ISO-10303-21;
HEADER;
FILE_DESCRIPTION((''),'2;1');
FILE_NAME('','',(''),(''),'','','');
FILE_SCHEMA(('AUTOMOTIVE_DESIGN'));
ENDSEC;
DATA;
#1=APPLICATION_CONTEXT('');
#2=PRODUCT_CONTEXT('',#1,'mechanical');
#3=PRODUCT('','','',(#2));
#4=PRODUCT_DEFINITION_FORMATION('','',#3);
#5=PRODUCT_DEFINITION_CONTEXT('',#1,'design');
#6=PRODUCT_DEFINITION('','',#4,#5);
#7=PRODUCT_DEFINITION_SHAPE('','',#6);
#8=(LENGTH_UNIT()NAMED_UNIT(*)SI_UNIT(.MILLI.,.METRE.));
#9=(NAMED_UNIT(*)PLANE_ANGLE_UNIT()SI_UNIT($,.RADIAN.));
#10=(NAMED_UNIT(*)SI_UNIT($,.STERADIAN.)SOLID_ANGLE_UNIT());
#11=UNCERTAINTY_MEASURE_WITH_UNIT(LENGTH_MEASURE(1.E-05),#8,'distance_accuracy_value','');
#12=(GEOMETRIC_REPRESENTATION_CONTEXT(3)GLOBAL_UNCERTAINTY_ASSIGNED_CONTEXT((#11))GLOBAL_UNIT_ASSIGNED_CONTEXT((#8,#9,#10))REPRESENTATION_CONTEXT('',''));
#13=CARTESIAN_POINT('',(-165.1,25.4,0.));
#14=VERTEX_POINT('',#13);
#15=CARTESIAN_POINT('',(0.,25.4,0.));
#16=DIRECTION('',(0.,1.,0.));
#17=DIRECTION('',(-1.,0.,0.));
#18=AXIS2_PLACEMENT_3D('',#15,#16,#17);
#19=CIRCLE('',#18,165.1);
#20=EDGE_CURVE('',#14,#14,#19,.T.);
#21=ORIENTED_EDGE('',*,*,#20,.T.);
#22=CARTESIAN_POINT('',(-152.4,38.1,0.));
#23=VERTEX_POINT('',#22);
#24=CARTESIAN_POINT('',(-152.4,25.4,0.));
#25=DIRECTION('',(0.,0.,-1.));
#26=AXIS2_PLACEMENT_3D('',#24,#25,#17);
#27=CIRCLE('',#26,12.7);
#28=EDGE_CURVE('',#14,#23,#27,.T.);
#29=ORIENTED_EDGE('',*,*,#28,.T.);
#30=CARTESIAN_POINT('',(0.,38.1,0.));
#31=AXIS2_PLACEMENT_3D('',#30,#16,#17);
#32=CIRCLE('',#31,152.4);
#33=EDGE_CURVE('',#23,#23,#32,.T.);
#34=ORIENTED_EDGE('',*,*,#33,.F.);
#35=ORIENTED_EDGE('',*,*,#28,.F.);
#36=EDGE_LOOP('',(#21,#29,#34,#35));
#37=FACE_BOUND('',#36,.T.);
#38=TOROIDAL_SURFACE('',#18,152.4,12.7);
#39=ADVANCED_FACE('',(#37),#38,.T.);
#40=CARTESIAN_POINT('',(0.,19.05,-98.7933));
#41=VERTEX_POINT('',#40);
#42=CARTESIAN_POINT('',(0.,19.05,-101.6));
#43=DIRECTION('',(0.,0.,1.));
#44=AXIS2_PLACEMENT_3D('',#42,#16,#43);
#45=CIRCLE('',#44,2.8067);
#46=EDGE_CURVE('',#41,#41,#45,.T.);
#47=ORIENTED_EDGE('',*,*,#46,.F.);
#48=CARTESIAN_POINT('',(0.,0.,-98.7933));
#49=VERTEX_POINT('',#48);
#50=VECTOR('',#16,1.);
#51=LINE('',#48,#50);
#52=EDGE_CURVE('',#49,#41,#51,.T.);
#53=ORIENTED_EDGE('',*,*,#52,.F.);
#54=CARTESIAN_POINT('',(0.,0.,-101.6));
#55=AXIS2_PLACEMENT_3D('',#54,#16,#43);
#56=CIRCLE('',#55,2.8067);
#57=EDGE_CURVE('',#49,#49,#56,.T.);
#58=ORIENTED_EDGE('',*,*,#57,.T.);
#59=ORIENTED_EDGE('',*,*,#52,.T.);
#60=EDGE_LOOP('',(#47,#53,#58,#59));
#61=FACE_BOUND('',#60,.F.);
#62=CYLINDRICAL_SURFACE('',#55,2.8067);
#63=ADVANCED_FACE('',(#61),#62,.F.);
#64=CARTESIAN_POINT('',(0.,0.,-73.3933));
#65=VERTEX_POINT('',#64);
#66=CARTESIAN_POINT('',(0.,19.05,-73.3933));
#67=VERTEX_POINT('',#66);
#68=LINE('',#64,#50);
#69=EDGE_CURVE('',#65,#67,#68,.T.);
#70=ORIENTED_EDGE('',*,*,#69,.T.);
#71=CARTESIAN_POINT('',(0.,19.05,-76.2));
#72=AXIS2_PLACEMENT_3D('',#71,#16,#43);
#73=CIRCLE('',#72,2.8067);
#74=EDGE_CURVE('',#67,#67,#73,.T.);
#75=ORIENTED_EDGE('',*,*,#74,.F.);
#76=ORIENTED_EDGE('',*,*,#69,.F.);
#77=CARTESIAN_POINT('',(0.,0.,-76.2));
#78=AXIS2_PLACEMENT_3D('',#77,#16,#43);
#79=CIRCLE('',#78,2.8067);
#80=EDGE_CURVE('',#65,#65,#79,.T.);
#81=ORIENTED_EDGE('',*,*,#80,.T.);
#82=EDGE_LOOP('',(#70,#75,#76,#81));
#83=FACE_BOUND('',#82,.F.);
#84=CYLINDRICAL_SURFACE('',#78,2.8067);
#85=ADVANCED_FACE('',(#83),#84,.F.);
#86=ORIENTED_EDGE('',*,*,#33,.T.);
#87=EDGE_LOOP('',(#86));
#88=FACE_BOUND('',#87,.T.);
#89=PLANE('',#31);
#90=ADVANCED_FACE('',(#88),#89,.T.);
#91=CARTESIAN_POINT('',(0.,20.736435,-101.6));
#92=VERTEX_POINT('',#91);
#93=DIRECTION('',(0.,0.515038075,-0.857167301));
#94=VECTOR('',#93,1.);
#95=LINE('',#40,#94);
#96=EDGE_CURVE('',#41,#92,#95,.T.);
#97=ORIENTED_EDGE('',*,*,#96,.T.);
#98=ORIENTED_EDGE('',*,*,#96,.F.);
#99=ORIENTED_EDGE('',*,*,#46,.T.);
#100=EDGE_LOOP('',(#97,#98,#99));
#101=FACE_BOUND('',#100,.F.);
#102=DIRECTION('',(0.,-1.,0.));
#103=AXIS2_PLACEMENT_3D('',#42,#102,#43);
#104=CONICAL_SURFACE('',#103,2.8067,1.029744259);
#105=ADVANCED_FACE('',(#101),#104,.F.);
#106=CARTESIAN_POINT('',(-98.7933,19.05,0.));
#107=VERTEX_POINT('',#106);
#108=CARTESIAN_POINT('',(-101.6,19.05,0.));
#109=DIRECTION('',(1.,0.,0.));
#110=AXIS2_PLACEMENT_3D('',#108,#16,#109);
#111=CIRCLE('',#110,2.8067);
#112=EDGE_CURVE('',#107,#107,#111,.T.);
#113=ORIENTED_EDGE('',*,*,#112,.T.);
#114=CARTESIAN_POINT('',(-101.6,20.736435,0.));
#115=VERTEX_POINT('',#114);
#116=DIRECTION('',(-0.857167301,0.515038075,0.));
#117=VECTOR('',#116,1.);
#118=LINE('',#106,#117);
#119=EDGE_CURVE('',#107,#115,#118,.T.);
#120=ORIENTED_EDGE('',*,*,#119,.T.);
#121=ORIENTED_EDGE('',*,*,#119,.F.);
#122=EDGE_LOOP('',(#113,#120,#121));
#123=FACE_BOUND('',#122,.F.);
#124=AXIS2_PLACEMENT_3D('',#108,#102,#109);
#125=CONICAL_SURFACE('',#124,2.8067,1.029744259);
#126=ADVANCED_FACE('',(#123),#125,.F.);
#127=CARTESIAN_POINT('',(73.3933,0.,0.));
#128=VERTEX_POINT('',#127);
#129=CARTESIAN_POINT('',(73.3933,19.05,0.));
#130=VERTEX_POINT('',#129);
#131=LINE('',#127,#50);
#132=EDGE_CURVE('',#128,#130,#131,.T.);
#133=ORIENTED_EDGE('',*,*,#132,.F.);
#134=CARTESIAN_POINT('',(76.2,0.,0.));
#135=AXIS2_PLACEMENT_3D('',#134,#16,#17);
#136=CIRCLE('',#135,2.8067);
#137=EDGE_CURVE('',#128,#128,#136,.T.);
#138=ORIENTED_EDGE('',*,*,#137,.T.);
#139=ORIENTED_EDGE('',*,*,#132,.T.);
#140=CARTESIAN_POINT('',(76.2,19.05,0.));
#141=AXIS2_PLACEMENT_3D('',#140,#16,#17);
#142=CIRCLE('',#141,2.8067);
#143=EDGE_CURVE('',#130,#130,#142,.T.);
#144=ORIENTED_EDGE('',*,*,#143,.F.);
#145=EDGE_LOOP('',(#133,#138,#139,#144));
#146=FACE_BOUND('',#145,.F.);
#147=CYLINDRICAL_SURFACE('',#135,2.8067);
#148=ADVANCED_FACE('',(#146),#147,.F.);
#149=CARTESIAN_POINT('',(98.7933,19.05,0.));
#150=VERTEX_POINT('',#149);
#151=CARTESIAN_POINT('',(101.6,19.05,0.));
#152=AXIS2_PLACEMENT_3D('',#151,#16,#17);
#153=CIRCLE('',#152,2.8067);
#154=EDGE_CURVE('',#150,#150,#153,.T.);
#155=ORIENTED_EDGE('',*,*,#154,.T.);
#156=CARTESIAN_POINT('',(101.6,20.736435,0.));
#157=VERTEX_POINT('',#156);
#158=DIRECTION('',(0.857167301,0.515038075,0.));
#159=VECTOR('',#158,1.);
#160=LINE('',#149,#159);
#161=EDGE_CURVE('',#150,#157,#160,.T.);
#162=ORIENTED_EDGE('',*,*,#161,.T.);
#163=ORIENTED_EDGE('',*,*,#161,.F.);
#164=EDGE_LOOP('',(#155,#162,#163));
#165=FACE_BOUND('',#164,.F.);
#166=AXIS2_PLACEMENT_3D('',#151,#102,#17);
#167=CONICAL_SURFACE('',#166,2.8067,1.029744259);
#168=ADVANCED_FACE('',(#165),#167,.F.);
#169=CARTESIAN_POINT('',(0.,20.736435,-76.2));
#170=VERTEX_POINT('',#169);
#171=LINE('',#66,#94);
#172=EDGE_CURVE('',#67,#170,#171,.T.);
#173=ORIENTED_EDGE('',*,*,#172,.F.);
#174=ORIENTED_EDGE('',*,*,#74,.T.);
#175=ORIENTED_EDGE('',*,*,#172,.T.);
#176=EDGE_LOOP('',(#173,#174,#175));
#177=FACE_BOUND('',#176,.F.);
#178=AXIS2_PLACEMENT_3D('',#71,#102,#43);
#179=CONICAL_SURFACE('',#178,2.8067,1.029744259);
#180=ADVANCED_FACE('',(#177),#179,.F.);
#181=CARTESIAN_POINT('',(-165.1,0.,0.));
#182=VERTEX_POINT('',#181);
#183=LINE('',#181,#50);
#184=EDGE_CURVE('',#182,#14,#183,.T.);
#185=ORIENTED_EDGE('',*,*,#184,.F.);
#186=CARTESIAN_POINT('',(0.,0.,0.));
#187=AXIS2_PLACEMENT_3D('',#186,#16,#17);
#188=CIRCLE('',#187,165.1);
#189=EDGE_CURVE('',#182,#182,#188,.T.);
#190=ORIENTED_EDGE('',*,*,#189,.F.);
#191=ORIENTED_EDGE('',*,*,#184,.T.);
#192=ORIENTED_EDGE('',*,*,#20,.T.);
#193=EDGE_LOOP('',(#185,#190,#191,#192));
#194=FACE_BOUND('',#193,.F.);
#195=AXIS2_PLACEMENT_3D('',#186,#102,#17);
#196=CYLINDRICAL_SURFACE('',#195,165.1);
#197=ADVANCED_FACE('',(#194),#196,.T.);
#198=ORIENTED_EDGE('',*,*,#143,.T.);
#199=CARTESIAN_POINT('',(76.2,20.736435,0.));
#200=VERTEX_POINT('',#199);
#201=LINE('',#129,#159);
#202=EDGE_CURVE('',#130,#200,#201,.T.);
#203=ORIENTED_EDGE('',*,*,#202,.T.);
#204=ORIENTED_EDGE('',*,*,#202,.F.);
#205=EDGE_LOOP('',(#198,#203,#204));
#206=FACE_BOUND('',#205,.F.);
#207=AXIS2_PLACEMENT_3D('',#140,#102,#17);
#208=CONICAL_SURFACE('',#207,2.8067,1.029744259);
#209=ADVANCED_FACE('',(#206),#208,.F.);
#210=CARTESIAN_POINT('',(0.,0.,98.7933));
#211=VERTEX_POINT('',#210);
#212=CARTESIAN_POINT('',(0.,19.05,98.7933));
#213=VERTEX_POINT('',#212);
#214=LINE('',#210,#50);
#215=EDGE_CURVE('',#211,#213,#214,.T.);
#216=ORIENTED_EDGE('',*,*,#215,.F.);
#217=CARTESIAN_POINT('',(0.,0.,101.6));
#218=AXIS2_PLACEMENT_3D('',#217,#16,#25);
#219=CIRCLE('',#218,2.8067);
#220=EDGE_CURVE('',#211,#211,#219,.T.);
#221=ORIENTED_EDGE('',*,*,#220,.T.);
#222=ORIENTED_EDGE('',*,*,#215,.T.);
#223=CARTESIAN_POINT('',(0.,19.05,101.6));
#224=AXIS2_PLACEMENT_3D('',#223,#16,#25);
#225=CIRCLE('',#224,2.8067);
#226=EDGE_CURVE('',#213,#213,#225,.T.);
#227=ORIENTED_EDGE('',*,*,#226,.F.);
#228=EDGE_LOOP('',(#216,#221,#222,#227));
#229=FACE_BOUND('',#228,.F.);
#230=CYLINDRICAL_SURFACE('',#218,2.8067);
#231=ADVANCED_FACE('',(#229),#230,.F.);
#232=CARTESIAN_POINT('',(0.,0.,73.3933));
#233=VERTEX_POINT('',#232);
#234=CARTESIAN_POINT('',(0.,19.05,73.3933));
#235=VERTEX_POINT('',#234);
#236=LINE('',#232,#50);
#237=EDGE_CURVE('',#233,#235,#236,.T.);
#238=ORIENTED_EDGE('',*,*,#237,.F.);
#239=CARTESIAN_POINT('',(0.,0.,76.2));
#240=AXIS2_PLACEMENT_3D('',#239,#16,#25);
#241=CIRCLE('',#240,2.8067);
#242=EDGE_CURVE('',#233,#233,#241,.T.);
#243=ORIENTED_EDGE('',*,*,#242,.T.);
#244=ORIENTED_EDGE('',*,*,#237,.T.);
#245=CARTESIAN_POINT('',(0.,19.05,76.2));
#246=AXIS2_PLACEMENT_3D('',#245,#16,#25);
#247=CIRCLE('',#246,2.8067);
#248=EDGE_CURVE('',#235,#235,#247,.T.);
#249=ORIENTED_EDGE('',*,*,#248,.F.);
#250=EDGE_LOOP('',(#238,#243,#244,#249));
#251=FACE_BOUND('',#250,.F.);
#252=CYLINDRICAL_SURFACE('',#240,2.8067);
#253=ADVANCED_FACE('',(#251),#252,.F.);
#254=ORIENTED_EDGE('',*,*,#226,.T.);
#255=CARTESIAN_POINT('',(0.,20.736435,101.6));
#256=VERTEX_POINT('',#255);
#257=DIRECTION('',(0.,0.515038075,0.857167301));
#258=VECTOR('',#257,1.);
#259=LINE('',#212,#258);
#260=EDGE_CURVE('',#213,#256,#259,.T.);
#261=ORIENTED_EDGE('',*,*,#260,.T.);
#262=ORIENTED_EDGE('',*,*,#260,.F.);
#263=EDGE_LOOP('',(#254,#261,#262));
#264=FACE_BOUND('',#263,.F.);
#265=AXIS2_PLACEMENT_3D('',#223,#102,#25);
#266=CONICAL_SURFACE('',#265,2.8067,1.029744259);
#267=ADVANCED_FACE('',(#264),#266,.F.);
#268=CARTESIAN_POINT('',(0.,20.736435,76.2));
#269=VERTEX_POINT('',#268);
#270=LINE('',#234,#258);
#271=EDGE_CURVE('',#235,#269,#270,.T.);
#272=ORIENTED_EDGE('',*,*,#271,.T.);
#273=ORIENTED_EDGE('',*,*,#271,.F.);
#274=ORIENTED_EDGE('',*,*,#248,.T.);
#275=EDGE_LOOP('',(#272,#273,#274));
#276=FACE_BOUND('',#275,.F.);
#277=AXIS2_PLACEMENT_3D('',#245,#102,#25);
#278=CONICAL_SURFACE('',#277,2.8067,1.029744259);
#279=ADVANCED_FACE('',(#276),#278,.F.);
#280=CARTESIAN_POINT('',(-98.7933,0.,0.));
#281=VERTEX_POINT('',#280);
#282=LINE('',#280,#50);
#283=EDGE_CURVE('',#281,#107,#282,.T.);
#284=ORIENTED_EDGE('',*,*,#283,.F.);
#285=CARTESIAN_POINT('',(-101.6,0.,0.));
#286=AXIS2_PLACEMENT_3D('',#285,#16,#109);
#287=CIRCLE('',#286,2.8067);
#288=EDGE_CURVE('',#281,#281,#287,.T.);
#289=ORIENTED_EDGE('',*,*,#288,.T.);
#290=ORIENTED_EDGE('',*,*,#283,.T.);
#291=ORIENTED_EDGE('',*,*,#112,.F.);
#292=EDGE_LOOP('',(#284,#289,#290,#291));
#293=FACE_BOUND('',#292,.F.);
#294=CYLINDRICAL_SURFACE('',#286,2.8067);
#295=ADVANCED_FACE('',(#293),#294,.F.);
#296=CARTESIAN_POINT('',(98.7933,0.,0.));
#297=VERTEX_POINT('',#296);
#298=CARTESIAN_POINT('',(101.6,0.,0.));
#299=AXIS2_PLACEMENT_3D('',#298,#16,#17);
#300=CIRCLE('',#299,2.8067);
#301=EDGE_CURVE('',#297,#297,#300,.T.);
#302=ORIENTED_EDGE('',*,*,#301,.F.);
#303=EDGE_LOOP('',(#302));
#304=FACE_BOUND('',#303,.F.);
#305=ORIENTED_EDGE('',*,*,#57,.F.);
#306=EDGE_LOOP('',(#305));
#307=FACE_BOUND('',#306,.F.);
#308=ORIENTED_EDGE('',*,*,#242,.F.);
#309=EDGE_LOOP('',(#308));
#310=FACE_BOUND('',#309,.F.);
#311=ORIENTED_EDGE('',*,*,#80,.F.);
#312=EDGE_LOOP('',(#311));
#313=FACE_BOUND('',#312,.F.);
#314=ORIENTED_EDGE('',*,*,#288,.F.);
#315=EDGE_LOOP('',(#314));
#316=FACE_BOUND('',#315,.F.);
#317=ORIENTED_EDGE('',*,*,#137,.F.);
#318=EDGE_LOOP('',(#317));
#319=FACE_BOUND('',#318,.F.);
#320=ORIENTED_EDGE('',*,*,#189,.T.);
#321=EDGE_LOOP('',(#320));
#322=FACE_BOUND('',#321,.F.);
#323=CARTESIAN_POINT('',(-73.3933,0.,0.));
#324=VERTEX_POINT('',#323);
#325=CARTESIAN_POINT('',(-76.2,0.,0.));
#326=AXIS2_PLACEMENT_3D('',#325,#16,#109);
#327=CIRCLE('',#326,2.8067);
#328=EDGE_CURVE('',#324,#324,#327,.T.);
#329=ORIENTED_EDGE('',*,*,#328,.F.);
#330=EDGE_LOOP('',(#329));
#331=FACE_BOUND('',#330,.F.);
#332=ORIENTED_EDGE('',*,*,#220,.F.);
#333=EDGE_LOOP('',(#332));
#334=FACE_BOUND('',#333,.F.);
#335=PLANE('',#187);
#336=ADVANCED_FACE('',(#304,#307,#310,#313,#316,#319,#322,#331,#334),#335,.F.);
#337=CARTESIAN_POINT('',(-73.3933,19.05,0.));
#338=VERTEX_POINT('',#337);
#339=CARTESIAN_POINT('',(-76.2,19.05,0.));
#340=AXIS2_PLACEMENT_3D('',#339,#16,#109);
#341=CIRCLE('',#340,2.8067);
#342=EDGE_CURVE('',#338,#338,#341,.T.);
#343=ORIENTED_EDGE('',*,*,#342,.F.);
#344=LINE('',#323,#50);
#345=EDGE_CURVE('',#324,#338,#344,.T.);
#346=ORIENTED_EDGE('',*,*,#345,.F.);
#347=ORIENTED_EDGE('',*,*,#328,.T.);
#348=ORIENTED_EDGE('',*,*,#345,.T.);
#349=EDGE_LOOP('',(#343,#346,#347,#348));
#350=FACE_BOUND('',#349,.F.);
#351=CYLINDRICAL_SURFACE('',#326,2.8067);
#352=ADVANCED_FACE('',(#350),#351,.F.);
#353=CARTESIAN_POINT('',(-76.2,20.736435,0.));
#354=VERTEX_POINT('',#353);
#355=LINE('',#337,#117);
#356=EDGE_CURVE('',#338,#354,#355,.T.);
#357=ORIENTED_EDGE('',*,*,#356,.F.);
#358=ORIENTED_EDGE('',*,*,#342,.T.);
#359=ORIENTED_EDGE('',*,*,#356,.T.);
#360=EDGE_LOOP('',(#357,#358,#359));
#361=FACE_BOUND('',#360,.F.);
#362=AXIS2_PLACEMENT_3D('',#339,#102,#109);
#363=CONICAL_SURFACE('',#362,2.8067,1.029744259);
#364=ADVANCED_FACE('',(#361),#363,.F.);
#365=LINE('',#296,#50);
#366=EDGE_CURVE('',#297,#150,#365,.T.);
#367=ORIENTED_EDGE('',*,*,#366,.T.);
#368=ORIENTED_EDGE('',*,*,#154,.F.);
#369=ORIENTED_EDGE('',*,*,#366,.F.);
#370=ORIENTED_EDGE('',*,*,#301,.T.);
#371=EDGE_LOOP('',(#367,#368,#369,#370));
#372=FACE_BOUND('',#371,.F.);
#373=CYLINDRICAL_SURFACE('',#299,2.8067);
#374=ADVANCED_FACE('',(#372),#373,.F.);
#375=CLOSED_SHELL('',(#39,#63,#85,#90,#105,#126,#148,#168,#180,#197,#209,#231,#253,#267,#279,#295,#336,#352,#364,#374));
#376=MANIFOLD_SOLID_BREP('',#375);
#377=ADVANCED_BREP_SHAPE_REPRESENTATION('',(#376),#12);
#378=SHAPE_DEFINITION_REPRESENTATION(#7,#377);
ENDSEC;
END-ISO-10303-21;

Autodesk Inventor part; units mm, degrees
ref_plane "YZ Plane" through (0, 0, 0) normal (1, 0, 0) x (0, 1, 0)
ref_plane "XZ Plane" through (0, 0, 0) normal (0, 1, 0) x (-1, 0, 0)
ref_plane "XY Plane" through (0, 0, 0) normal (0, 0, 1) x (1, 0, 0)
sketch "Sketch1" plane through (0, 0, 0) normal (0, 1, 0) x (-1, 0, 0)
  circle A0 centre (0, 0) radius 165.1
  point P0 (0, 76.2)
  point P1 (0, 101.6)
  dimension "d0" = 330.2
  dimension "d4" = 25.4
  dimension "d5" = 76.2
extrude "Extrusion1" add sketch "Sketch1" along normal blind 38.1
fillet "Fillet1" radius 12.7 1 edges at (165.1, 38.1, 0)
hole "Hole1" at (0, 0, 76.2) at (0, 0, 101.6) direction (0, 1, 0) diameter 5.6134 depth 19.05 tip angle 118 clearance for "Flat Head Machine Screw (82)" size "#12" standard "Ansi Unified Screw Threads"
pattern_circular "Circular Pattern1" count 4 over 360 about axis through (0, -10, 0) along (0, 1, 0) of "Hole1"
properties part number "Seat" material "Wood (Birch)"
